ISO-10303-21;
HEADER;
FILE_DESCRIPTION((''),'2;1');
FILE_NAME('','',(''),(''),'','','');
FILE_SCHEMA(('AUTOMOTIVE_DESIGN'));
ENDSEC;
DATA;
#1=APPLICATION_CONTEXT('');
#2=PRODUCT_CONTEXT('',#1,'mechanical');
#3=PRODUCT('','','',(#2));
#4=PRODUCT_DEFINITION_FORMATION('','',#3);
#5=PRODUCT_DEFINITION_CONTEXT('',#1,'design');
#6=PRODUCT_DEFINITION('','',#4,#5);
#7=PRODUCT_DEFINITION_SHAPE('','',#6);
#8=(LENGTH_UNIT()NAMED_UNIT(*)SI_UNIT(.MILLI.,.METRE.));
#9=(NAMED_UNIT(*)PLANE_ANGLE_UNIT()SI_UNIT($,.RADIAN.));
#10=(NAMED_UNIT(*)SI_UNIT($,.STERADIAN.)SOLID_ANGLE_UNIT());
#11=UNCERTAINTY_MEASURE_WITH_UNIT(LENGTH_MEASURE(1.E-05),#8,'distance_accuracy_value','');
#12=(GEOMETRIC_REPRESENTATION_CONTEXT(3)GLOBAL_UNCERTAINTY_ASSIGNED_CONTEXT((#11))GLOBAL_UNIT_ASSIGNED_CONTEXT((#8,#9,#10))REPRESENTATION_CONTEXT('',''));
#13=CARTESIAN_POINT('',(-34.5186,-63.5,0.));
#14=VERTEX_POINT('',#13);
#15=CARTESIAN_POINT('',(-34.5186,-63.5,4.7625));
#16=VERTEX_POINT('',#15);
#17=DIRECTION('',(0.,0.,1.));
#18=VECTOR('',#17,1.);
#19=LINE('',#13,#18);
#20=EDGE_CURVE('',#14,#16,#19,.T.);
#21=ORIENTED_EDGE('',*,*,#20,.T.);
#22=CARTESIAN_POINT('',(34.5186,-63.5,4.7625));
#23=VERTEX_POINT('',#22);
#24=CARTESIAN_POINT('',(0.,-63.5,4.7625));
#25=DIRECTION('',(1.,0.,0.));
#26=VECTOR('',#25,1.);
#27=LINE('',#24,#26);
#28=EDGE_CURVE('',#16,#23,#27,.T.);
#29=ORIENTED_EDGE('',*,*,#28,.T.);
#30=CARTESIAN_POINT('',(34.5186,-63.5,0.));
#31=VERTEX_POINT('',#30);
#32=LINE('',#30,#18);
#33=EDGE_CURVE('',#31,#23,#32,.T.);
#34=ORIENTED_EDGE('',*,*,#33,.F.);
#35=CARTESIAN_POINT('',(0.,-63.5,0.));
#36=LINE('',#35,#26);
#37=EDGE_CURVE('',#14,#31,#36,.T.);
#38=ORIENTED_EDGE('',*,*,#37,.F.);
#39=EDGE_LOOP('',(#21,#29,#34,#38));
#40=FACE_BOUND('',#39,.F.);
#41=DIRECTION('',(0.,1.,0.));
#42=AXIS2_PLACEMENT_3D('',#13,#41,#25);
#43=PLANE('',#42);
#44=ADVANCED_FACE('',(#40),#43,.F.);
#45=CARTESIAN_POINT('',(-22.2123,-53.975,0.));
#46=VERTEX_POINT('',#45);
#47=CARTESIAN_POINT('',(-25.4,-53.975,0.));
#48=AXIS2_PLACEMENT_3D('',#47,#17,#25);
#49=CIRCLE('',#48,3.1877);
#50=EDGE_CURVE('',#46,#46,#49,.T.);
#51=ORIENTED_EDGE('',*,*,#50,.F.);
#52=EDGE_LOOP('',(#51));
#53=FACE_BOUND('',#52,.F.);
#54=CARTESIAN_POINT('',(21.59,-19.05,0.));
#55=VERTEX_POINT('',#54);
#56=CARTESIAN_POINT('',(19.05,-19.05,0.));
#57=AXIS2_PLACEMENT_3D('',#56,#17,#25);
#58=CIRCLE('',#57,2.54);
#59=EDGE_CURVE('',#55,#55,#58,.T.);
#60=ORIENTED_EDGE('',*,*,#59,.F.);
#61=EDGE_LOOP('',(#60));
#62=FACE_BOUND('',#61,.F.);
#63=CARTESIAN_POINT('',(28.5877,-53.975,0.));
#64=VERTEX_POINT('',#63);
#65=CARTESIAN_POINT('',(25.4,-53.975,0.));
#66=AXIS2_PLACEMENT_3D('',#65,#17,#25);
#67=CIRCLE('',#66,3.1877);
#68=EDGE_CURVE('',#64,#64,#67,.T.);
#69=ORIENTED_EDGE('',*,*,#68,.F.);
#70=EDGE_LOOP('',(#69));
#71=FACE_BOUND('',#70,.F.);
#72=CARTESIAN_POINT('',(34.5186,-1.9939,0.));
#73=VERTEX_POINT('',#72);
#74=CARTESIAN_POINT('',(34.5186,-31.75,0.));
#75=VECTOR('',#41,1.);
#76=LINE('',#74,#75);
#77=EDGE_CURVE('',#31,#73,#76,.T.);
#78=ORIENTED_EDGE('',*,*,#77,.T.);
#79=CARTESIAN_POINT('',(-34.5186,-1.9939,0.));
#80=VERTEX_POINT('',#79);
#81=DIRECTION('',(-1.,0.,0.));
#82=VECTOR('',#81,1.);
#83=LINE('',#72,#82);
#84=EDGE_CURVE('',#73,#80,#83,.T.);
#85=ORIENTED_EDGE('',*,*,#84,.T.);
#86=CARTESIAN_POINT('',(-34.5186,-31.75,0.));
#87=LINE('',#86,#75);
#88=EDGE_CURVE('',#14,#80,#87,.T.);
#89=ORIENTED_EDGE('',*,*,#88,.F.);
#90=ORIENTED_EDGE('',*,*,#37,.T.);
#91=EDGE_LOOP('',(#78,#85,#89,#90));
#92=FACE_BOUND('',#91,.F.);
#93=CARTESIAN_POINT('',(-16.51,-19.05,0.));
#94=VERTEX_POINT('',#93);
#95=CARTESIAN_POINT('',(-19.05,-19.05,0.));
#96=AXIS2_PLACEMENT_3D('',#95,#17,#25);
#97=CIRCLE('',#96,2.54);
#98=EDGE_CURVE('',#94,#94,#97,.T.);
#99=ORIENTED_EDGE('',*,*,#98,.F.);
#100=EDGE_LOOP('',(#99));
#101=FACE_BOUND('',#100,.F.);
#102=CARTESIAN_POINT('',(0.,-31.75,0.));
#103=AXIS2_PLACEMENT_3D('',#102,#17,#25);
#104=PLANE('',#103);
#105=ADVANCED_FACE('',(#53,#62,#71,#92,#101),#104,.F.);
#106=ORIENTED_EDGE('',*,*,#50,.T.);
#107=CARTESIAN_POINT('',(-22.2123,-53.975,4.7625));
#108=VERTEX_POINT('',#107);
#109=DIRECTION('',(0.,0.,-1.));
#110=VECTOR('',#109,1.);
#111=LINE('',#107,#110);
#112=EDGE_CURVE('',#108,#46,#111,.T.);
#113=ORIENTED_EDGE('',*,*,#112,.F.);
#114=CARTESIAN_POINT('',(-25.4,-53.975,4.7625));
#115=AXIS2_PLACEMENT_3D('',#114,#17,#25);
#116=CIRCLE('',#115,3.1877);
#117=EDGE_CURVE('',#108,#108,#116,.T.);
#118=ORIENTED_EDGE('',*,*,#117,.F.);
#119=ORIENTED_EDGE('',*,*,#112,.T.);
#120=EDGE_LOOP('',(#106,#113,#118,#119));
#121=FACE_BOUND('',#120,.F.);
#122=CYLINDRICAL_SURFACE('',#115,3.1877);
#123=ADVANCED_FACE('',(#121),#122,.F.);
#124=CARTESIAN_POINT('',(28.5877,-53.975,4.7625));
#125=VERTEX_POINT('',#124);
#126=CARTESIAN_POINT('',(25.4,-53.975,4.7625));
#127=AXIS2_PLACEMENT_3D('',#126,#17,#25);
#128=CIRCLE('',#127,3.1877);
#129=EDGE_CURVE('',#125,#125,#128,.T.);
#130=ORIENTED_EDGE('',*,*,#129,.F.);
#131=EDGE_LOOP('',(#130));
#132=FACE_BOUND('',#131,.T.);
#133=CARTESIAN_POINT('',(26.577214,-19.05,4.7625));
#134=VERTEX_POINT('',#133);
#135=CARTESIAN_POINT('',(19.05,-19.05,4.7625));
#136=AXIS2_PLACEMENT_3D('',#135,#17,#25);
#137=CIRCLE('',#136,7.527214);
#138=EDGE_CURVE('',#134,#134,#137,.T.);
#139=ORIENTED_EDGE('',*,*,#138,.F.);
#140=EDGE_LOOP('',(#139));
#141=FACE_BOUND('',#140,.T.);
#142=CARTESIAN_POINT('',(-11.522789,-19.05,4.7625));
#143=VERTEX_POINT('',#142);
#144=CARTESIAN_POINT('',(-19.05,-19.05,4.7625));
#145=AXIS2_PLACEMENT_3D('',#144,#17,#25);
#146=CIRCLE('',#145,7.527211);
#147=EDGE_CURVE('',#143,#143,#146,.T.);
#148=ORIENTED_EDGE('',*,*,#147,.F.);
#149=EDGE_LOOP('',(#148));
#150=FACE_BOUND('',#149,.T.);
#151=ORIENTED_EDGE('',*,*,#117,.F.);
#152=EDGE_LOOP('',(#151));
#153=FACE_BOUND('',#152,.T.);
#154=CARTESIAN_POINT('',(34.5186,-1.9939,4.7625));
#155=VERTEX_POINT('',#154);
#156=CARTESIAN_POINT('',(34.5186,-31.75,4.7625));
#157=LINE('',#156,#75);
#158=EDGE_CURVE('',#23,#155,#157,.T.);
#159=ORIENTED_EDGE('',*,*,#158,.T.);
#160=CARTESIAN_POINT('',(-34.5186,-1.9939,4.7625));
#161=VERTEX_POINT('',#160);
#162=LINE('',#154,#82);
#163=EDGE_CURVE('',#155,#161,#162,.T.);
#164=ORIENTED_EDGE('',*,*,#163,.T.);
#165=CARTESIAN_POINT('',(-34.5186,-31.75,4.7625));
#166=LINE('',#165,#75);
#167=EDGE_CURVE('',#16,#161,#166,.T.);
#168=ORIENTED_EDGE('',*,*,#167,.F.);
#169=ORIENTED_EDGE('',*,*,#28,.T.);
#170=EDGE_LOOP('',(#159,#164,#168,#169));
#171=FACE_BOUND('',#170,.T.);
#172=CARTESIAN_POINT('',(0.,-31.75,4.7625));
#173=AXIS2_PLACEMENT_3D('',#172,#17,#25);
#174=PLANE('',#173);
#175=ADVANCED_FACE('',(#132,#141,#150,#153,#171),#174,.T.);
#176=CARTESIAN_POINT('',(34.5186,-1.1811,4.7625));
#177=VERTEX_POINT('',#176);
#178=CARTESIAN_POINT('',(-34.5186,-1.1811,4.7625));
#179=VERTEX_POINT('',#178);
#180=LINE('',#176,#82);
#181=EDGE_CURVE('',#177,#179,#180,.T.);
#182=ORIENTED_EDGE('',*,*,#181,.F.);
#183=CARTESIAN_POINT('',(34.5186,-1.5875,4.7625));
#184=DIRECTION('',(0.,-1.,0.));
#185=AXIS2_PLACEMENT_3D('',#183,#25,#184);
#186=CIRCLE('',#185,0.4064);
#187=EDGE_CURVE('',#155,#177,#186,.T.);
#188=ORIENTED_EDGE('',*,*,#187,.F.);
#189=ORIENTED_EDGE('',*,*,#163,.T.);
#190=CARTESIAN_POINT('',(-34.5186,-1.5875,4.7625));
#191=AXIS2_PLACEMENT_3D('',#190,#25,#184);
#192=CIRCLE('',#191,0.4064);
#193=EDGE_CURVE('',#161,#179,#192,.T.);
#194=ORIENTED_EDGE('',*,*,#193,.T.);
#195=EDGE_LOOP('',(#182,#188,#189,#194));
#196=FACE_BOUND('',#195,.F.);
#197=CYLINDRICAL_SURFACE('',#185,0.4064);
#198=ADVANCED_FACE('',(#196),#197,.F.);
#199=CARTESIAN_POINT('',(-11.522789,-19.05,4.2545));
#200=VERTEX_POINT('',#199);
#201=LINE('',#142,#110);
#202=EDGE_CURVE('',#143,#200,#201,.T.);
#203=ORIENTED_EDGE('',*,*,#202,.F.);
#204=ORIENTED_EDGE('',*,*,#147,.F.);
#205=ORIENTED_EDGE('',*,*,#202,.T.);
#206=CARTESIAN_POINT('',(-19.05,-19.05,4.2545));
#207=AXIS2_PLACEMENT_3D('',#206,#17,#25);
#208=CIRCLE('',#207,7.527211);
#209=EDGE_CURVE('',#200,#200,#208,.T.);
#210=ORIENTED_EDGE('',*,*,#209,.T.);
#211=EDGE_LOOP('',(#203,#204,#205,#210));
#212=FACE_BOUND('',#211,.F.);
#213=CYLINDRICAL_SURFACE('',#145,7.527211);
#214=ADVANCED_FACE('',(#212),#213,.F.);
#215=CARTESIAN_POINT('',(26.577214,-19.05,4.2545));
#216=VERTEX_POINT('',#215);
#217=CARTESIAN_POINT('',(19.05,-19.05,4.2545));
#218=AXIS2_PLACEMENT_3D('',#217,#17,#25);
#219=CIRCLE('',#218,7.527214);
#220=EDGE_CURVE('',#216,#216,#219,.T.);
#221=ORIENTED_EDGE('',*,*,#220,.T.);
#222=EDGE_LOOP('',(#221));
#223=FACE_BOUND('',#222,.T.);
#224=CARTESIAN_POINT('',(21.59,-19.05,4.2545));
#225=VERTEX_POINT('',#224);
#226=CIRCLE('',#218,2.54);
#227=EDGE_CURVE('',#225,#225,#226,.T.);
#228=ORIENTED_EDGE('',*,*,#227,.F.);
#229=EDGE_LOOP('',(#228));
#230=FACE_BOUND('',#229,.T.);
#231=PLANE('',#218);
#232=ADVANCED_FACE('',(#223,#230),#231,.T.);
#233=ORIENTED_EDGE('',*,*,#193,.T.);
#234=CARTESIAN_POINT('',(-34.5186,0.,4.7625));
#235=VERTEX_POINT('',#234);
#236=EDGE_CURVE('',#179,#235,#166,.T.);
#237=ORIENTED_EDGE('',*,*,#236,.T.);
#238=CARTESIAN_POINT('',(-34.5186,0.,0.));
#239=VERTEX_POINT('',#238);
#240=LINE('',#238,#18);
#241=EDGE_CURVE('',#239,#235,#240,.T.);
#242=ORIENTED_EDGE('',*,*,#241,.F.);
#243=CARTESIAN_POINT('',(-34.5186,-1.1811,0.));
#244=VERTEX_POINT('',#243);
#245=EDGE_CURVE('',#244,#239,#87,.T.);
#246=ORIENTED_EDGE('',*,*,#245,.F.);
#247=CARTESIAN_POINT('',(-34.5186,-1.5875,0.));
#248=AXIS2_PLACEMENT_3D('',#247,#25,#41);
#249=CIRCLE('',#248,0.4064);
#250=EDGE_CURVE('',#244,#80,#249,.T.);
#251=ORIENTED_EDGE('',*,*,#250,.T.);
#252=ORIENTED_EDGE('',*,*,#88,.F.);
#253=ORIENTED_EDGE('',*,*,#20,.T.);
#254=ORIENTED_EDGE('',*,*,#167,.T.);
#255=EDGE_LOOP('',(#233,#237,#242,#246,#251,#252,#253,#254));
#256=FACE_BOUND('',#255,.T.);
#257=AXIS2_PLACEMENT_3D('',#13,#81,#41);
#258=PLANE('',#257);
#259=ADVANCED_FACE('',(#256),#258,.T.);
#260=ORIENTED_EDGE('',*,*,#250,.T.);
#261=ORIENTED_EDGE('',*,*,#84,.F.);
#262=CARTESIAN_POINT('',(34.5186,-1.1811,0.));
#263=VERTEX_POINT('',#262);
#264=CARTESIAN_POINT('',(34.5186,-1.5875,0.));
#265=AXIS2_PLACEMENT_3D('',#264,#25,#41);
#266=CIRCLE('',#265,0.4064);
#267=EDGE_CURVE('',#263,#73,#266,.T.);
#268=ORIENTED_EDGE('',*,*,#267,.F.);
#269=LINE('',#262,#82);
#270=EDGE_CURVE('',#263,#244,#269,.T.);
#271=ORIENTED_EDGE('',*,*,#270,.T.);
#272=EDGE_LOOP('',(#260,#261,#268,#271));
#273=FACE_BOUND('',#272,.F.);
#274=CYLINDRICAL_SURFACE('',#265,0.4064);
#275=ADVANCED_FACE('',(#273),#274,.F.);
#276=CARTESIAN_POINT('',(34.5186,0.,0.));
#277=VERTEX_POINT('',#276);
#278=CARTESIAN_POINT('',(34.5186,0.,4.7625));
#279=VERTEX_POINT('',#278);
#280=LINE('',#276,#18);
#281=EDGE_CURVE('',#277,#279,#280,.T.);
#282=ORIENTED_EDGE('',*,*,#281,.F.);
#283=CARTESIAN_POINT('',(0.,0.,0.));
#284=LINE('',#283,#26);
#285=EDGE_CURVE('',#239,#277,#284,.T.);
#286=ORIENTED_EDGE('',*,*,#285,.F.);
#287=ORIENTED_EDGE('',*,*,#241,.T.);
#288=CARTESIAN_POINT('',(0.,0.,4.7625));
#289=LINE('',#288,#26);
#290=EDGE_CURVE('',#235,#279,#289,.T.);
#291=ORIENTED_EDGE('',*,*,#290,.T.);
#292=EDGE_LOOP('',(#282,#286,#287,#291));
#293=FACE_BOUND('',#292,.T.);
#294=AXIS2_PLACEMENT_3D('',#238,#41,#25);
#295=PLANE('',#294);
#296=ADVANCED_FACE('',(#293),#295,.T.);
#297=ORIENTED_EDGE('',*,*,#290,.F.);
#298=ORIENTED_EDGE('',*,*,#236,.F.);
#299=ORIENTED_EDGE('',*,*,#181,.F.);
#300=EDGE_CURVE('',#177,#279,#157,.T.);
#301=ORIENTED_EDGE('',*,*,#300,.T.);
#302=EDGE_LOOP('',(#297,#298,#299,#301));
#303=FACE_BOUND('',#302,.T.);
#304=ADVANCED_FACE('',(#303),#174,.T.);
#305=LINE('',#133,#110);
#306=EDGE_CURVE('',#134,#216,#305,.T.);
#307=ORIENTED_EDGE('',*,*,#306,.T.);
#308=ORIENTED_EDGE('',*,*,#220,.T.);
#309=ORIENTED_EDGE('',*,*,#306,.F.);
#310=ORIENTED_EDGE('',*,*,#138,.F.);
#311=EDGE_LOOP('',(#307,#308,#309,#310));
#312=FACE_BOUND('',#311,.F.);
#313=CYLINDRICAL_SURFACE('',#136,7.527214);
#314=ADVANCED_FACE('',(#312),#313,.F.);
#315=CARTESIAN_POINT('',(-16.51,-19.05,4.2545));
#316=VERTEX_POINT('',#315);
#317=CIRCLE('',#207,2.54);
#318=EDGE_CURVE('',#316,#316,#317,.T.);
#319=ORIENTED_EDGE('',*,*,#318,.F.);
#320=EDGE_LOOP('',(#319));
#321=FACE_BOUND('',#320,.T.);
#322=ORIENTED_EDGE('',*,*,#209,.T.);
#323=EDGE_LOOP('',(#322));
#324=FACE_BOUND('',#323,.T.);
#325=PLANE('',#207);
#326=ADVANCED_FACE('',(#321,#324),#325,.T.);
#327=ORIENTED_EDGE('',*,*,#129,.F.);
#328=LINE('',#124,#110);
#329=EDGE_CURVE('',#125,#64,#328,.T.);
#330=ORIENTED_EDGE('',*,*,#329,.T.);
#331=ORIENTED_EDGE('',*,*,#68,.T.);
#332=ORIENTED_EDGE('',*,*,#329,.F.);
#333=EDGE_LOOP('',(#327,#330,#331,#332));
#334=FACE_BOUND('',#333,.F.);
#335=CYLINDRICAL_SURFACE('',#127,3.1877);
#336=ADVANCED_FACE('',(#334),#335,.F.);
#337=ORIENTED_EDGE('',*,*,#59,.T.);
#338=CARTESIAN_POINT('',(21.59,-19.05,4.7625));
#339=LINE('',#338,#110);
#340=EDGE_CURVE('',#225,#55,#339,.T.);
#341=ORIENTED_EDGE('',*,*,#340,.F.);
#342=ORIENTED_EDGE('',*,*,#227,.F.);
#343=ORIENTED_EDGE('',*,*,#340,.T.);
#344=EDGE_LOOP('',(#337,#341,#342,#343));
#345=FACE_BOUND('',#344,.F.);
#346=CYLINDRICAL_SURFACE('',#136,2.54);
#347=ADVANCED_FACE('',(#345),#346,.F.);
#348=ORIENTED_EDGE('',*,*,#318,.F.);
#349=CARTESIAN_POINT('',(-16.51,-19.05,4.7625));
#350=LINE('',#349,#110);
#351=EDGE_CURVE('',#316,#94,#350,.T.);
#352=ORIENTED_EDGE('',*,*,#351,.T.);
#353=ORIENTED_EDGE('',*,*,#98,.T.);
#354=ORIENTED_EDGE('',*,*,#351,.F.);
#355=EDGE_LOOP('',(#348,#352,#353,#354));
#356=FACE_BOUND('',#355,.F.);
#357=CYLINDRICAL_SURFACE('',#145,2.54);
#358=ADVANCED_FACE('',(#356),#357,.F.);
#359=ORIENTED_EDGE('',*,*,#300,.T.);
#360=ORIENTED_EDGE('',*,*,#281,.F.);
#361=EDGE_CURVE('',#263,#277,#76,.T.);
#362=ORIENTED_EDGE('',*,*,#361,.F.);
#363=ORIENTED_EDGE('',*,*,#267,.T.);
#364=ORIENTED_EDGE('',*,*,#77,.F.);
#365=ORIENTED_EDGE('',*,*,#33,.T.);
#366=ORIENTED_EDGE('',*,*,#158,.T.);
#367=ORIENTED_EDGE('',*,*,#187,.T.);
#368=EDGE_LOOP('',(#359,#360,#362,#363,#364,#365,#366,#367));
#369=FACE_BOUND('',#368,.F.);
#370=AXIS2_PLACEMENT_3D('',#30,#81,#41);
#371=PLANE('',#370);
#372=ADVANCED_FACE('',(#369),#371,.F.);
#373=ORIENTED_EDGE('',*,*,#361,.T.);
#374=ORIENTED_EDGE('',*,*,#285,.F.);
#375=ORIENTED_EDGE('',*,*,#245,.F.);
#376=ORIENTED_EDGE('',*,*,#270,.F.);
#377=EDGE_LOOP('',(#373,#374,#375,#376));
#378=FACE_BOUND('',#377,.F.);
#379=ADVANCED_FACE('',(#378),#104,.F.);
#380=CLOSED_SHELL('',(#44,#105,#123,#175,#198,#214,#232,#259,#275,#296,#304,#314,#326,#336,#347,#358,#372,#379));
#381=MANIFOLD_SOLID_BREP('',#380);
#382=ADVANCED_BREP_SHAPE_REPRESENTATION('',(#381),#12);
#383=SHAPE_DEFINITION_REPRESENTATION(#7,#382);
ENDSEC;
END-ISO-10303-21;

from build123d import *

# Parameters (mm, degrees)
F0_W     = 69.0372
F0_H     = 63.5
F1_DEPTH = 4.7625
F2_R     = 3.1877
F3_DEPTH = 4.7635
F4_R     = 2.54
F5_DEPTH = 4.7635
F4_R_2   = 7.527211353
F4_R_3   = 7.5272138977
F6_DEPTH = 0.508
F8_DEPTH = 69.0382


with BuildPart() as f1:
    # F0 (on Top) → F1 (new body)
    with BuildSketch(Plane.XY):
        with Locations((0, -31.75)):
            Rectangle(F0_W, F0_H)
    extrude(amount=F1_DEPTH)

    # F2 (on face) → F3 (cut, through all)
    with BuildSketch(Plane.XY.offset(4.7625)):
        with Locations((25.4, -53.975)):
            Circle(F2_R)
        with Locations((-25.4, -53.975)):
            Circle(F2_R)
    extrude(amount=-F3_DEPTH, mode=Mode.SUBTRACT)

    # F4 (on face) → F5 (cut, through all)
    with BuildSketch(Plane.XY.offset(4.7625)):
        with Locations((-19.05, -19.05)):
            Circle(F4_R)
        with Locations((19.05, -19.05)):
            Circle(F4_R)
    extrude(amount=-F5_DEPTH, mode=Mode.SUBTRACT)

    # F4 (on face) → F6 (cut)
    with BuildSketch(Plane.XY.offset(4.7625)):
        with Locations((-19.05, -19.05)):
            Circle(F4_R_2)
        with Locations((-19.05, -19.05)):
            Circle(F4_R, mode=Mode.SUBTRACT)
        with Locations((19.05, -19.05)):
            Circle(F4_R_3)
        with Locations((19.05, -19.05)):
            Circle(F4_R, mode=Mode.SUBTRACT)
    extrude(amount=-F6_DEPTH, mode=Mode.SUBTRACT)

    # F7 (on face) → F8 (cut, through all)
    with BuildSketch(Plane.YZ.offset(34.5186)):
        with BuildLine():
            ThreePointArc((-1.9939, 4.7625), (-1.5875, 4.3561), (-1.1811, 4.7625))
            Line((-1.1811, 4.7625), (-1.9939, 4.7625))
        make_face()
        with BuildLine():
            Line((-1.9939, 0), (-1.1811, 0))
            ThreePointArc((-1.1811, 0), (-1.5875, 0.4064), (-1.9939, 0))
        make_face()
    extrude(amount=-F8_DEPTH, mode=Mode.SUBTRACT)


solid = f1.part
